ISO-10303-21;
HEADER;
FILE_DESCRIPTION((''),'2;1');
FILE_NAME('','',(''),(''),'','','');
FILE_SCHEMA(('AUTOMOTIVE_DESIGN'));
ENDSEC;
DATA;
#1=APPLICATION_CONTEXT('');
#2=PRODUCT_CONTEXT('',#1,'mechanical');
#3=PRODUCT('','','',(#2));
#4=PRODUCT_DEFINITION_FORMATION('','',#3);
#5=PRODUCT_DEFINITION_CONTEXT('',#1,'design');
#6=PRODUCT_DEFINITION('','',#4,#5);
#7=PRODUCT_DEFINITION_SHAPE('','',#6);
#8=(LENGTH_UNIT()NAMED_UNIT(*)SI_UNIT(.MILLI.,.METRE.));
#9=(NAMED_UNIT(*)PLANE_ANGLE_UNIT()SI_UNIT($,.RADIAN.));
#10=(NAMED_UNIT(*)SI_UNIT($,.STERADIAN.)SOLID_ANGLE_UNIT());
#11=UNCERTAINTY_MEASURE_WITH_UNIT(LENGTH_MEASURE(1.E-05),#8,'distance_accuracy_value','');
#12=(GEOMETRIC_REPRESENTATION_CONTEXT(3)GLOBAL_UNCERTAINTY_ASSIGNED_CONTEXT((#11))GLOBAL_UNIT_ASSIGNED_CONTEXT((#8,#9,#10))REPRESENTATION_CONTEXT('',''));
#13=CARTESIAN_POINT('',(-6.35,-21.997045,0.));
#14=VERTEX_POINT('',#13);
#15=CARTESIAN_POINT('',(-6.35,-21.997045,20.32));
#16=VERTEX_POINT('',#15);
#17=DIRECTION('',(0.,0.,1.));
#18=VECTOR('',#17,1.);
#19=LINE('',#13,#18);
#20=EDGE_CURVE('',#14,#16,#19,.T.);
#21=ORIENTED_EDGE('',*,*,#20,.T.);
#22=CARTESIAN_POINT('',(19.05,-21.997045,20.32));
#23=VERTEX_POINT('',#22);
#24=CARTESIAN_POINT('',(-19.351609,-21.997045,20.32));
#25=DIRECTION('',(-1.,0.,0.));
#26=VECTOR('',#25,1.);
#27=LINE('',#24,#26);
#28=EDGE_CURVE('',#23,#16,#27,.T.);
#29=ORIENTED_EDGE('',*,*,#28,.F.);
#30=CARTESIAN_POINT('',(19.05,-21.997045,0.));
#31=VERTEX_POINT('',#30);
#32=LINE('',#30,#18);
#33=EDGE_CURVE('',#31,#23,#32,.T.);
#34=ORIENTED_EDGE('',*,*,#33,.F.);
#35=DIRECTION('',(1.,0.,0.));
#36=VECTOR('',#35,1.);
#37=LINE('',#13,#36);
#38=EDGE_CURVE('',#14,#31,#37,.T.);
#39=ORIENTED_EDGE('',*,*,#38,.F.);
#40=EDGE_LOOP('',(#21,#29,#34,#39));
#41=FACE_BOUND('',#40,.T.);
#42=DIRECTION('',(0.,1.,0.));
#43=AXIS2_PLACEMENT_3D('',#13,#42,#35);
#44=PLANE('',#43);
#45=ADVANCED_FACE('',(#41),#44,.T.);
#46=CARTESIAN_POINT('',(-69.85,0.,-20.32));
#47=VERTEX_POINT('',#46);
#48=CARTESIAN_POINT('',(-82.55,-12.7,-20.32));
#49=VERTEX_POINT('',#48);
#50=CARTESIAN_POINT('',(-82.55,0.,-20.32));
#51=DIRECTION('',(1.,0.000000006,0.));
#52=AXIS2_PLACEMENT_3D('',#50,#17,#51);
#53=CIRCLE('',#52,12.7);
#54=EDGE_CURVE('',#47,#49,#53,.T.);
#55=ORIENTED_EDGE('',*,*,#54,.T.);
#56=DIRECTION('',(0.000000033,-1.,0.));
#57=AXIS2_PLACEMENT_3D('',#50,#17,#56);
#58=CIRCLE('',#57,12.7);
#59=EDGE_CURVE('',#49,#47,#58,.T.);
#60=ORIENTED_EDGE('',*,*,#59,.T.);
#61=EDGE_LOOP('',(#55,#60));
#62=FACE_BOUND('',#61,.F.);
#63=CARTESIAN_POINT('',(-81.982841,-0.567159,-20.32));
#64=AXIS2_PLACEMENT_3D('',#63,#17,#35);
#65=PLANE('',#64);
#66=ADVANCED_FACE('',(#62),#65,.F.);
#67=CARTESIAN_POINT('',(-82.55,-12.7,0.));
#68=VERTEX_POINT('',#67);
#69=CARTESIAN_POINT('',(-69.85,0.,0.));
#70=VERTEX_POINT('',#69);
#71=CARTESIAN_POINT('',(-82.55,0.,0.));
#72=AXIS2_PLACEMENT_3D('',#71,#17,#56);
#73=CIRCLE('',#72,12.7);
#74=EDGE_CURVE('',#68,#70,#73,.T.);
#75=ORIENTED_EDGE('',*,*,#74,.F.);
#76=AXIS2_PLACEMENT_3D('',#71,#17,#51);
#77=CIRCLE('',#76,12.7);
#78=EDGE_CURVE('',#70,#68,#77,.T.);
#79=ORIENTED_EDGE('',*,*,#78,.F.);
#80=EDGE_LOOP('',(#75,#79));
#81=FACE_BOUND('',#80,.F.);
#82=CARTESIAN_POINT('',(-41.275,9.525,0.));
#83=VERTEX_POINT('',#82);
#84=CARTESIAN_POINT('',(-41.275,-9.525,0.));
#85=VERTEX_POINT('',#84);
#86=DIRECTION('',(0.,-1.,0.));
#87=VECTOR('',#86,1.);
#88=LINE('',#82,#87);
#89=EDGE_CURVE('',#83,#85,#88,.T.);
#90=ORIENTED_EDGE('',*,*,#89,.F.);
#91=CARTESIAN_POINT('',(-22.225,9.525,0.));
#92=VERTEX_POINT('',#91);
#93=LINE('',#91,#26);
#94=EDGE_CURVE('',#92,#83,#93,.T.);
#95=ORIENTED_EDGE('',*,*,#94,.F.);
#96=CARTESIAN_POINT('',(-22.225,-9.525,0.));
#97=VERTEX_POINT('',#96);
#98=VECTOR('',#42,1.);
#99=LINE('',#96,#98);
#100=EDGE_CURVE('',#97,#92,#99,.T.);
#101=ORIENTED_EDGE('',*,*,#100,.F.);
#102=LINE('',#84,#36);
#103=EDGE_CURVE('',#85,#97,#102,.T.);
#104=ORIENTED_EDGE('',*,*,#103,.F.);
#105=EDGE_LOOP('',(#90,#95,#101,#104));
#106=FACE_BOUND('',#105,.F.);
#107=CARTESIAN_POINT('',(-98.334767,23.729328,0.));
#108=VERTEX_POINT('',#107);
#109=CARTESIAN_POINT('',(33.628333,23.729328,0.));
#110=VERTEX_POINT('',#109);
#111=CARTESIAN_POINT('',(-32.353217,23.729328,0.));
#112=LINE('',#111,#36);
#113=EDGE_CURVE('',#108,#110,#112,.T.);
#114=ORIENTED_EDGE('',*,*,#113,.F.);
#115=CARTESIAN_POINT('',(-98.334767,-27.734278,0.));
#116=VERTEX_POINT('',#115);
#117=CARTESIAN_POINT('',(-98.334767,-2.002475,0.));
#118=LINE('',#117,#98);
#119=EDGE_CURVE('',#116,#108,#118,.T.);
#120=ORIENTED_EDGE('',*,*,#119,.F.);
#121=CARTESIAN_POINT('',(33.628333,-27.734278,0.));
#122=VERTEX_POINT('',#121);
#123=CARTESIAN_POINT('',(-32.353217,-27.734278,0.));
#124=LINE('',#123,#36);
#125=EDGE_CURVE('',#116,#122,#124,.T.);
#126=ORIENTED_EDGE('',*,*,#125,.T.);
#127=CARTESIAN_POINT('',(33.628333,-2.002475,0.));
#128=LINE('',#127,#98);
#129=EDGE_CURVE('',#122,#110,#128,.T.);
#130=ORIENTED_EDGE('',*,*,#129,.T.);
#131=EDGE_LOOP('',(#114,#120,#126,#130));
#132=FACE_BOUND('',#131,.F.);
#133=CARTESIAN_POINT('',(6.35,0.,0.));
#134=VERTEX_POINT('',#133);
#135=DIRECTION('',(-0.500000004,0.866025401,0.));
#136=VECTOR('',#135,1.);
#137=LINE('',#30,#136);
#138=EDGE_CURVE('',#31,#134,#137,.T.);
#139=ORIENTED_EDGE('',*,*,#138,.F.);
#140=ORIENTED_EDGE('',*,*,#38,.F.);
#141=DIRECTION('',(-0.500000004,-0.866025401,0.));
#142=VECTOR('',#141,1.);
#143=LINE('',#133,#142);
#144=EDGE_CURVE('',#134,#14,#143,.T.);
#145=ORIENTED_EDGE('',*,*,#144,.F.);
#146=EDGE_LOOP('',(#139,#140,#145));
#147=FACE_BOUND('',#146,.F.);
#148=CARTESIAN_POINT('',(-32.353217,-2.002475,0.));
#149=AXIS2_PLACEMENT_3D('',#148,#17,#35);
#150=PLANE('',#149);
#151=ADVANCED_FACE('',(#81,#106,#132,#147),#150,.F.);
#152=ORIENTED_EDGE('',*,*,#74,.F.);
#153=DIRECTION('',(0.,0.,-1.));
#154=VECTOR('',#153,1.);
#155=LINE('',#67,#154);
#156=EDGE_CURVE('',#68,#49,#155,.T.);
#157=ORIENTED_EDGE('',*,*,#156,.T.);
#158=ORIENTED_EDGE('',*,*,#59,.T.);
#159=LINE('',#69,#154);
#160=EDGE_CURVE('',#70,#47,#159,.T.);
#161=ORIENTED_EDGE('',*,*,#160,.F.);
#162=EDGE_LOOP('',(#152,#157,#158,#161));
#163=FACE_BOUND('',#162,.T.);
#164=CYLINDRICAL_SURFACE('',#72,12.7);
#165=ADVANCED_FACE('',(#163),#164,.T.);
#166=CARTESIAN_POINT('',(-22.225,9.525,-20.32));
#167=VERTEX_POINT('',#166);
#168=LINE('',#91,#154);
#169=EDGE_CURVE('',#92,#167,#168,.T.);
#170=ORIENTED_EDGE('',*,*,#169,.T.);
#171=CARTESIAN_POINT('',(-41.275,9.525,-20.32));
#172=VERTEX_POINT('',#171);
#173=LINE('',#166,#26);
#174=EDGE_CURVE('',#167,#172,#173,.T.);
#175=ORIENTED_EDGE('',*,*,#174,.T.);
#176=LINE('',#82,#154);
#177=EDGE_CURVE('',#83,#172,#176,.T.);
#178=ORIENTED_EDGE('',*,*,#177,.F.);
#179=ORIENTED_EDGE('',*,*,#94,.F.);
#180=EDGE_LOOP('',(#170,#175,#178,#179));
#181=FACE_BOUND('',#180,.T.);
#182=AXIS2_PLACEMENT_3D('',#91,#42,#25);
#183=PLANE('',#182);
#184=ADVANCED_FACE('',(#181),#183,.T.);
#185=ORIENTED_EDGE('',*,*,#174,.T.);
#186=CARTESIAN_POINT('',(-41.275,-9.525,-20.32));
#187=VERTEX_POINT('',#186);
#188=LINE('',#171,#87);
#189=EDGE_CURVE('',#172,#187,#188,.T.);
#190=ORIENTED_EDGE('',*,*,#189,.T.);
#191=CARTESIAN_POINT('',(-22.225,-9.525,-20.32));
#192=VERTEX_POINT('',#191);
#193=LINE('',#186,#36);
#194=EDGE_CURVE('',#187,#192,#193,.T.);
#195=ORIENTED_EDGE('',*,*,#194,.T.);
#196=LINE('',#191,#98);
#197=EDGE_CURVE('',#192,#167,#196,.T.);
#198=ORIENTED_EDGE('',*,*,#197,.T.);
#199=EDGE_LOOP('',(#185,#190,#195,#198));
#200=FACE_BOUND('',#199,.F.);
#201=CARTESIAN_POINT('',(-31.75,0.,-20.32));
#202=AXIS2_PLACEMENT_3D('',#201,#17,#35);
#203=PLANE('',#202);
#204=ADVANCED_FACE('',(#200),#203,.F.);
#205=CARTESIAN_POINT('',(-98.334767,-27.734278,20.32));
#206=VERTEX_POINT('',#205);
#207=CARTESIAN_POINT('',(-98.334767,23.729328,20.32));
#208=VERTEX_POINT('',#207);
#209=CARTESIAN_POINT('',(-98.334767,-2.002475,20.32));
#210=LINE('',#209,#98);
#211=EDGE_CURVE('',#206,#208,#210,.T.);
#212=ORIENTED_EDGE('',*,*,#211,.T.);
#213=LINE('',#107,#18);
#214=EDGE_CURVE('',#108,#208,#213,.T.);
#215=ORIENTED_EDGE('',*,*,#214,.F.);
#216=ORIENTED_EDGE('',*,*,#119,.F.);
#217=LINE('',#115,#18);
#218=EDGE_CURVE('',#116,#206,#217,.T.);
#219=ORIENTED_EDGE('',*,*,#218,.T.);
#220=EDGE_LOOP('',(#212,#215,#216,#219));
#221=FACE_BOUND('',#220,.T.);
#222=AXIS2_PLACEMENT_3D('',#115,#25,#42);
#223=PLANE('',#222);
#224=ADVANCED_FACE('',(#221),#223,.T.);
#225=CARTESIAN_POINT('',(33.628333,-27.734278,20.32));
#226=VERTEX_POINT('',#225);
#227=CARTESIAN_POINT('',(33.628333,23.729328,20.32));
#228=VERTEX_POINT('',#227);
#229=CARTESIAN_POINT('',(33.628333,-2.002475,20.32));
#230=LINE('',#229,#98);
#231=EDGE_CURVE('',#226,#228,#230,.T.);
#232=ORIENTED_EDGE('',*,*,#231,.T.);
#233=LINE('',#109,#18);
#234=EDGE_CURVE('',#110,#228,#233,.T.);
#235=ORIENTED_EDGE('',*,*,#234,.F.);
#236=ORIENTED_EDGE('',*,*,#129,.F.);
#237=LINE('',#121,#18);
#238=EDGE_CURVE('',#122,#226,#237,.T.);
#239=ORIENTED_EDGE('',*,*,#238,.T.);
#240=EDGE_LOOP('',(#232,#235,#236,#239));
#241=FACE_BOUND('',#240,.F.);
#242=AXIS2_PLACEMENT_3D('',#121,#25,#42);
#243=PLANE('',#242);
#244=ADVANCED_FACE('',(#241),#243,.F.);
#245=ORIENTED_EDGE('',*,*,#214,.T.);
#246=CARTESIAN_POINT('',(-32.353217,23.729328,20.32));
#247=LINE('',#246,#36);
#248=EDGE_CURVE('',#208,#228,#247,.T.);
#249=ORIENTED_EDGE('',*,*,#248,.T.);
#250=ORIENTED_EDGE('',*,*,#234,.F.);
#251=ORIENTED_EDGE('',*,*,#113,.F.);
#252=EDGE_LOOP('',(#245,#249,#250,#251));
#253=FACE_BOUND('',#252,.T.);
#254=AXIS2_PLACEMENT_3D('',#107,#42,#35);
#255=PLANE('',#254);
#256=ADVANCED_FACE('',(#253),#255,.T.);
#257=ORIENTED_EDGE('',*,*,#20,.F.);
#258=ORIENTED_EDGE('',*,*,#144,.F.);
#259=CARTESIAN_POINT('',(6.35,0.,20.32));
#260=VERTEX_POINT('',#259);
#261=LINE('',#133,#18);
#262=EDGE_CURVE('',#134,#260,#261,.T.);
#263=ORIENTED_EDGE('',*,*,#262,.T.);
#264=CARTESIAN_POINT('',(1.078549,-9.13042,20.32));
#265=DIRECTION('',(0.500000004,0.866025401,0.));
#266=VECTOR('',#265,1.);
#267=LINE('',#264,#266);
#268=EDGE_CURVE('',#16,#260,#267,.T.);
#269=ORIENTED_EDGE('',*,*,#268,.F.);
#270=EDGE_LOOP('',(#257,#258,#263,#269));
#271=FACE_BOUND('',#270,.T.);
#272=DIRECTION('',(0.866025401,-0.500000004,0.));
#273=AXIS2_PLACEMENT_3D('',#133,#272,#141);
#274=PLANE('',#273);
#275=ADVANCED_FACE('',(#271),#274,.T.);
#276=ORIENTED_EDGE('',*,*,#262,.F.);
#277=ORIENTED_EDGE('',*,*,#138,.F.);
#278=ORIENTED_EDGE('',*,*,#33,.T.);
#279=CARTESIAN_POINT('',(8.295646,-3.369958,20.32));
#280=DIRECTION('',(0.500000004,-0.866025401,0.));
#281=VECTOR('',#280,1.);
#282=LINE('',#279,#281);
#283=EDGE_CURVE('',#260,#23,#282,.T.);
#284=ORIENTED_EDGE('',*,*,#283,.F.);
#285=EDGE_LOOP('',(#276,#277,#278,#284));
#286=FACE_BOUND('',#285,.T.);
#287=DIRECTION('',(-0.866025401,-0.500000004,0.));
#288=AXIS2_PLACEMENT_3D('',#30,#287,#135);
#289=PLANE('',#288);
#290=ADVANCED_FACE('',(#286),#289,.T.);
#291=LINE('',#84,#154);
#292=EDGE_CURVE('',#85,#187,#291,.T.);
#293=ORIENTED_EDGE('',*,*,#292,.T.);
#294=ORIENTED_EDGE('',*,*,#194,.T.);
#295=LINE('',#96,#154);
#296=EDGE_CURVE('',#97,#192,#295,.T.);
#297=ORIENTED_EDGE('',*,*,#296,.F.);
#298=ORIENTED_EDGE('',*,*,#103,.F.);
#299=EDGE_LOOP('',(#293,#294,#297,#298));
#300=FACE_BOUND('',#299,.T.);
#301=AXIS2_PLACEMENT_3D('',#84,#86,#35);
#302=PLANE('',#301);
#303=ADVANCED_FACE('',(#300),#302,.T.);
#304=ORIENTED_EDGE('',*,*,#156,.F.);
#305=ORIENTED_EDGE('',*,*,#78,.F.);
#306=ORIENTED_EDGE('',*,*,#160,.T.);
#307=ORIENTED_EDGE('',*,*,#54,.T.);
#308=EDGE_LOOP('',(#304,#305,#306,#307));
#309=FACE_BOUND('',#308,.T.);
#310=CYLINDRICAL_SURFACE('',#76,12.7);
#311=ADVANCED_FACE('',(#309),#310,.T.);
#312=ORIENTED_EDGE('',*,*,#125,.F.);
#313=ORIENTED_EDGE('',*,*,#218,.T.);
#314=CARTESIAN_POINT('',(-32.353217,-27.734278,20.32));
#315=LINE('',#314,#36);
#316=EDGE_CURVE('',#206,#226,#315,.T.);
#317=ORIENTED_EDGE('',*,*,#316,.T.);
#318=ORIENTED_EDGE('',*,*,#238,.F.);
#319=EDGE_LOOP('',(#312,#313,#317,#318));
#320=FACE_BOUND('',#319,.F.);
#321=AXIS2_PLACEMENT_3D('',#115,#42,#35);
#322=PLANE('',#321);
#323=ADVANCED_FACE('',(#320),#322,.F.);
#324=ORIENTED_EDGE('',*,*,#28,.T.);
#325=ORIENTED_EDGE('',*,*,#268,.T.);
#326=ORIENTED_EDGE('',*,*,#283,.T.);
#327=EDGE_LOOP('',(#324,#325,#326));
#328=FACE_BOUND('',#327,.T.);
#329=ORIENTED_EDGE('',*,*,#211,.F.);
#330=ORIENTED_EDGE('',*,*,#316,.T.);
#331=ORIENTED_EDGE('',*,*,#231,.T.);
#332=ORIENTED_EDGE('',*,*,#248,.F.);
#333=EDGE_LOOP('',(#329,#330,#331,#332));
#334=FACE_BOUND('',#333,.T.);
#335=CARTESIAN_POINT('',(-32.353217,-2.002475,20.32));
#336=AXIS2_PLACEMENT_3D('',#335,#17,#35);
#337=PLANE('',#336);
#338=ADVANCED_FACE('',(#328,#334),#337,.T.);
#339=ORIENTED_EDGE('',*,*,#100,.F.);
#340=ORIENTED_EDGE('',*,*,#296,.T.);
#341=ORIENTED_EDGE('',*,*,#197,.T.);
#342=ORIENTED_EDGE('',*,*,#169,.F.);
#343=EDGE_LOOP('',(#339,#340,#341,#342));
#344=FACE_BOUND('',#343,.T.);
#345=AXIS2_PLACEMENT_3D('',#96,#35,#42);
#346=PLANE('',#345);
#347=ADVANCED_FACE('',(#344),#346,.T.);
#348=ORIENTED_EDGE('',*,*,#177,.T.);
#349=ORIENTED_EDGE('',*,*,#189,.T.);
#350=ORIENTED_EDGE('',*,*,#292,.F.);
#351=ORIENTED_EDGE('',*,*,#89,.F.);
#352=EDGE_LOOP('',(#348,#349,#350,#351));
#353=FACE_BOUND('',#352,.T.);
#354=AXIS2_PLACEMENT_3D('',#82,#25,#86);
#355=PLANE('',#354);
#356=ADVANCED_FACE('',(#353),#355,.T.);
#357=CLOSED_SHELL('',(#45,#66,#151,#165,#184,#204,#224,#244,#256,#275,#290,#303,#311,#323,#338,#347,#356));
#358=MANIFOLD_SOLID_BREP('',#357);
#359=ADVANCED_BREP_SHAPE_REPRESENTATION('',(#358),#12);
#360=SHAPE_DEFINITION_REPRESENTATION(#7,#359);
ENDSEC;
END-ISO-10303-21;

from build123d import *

# Parameters (mm, degrees)
F1_W     = 131.9631
F1_H     = 51.463606
F2_DEPTH = 20.32
F3_DEPTH = 20.32
F4_DEPTH = 57.15


with BuildPart() as f2:
    # F1 (on Top) → F2 (new body)
    with BuildSketch(Plane.XY):
        with Locations((-32.353217, -2.002475)):
            Rectangle(F1_W, F1_H)
    extrude(amount=F2_DEPTH)

    # F0 (on Top) → F3 (join)
    with BuildSketch(Plane.XY):
        with BuildLine():
            ThreePointArc((-69.85, 0), (-91.530256, 8.980256), (-82.55, -12.7))
            ThreePointArc((-82.55, -12.7), (-73.569744, -8.980256), (-69.85, 0))
        make_face()
        Polygon((-41.275, -9.525), (-31.75, -9.525), (-22.225, -9.525), (-22.225, 9.525), (-41.275, 9.525), align=None)
    extrude(amount=-F3_DEPTH)

    # F0 (on Top) → F4 (cut)
    with BuildSketch(Plane.XY):
        Polygon((19.05, -21.997045), (6.35, 0), (-6.35, -21.997045), align=None)
    extrude(amount=F4_DEPTH, mode=Mode.SUBTRACT)


solid = f2.part
